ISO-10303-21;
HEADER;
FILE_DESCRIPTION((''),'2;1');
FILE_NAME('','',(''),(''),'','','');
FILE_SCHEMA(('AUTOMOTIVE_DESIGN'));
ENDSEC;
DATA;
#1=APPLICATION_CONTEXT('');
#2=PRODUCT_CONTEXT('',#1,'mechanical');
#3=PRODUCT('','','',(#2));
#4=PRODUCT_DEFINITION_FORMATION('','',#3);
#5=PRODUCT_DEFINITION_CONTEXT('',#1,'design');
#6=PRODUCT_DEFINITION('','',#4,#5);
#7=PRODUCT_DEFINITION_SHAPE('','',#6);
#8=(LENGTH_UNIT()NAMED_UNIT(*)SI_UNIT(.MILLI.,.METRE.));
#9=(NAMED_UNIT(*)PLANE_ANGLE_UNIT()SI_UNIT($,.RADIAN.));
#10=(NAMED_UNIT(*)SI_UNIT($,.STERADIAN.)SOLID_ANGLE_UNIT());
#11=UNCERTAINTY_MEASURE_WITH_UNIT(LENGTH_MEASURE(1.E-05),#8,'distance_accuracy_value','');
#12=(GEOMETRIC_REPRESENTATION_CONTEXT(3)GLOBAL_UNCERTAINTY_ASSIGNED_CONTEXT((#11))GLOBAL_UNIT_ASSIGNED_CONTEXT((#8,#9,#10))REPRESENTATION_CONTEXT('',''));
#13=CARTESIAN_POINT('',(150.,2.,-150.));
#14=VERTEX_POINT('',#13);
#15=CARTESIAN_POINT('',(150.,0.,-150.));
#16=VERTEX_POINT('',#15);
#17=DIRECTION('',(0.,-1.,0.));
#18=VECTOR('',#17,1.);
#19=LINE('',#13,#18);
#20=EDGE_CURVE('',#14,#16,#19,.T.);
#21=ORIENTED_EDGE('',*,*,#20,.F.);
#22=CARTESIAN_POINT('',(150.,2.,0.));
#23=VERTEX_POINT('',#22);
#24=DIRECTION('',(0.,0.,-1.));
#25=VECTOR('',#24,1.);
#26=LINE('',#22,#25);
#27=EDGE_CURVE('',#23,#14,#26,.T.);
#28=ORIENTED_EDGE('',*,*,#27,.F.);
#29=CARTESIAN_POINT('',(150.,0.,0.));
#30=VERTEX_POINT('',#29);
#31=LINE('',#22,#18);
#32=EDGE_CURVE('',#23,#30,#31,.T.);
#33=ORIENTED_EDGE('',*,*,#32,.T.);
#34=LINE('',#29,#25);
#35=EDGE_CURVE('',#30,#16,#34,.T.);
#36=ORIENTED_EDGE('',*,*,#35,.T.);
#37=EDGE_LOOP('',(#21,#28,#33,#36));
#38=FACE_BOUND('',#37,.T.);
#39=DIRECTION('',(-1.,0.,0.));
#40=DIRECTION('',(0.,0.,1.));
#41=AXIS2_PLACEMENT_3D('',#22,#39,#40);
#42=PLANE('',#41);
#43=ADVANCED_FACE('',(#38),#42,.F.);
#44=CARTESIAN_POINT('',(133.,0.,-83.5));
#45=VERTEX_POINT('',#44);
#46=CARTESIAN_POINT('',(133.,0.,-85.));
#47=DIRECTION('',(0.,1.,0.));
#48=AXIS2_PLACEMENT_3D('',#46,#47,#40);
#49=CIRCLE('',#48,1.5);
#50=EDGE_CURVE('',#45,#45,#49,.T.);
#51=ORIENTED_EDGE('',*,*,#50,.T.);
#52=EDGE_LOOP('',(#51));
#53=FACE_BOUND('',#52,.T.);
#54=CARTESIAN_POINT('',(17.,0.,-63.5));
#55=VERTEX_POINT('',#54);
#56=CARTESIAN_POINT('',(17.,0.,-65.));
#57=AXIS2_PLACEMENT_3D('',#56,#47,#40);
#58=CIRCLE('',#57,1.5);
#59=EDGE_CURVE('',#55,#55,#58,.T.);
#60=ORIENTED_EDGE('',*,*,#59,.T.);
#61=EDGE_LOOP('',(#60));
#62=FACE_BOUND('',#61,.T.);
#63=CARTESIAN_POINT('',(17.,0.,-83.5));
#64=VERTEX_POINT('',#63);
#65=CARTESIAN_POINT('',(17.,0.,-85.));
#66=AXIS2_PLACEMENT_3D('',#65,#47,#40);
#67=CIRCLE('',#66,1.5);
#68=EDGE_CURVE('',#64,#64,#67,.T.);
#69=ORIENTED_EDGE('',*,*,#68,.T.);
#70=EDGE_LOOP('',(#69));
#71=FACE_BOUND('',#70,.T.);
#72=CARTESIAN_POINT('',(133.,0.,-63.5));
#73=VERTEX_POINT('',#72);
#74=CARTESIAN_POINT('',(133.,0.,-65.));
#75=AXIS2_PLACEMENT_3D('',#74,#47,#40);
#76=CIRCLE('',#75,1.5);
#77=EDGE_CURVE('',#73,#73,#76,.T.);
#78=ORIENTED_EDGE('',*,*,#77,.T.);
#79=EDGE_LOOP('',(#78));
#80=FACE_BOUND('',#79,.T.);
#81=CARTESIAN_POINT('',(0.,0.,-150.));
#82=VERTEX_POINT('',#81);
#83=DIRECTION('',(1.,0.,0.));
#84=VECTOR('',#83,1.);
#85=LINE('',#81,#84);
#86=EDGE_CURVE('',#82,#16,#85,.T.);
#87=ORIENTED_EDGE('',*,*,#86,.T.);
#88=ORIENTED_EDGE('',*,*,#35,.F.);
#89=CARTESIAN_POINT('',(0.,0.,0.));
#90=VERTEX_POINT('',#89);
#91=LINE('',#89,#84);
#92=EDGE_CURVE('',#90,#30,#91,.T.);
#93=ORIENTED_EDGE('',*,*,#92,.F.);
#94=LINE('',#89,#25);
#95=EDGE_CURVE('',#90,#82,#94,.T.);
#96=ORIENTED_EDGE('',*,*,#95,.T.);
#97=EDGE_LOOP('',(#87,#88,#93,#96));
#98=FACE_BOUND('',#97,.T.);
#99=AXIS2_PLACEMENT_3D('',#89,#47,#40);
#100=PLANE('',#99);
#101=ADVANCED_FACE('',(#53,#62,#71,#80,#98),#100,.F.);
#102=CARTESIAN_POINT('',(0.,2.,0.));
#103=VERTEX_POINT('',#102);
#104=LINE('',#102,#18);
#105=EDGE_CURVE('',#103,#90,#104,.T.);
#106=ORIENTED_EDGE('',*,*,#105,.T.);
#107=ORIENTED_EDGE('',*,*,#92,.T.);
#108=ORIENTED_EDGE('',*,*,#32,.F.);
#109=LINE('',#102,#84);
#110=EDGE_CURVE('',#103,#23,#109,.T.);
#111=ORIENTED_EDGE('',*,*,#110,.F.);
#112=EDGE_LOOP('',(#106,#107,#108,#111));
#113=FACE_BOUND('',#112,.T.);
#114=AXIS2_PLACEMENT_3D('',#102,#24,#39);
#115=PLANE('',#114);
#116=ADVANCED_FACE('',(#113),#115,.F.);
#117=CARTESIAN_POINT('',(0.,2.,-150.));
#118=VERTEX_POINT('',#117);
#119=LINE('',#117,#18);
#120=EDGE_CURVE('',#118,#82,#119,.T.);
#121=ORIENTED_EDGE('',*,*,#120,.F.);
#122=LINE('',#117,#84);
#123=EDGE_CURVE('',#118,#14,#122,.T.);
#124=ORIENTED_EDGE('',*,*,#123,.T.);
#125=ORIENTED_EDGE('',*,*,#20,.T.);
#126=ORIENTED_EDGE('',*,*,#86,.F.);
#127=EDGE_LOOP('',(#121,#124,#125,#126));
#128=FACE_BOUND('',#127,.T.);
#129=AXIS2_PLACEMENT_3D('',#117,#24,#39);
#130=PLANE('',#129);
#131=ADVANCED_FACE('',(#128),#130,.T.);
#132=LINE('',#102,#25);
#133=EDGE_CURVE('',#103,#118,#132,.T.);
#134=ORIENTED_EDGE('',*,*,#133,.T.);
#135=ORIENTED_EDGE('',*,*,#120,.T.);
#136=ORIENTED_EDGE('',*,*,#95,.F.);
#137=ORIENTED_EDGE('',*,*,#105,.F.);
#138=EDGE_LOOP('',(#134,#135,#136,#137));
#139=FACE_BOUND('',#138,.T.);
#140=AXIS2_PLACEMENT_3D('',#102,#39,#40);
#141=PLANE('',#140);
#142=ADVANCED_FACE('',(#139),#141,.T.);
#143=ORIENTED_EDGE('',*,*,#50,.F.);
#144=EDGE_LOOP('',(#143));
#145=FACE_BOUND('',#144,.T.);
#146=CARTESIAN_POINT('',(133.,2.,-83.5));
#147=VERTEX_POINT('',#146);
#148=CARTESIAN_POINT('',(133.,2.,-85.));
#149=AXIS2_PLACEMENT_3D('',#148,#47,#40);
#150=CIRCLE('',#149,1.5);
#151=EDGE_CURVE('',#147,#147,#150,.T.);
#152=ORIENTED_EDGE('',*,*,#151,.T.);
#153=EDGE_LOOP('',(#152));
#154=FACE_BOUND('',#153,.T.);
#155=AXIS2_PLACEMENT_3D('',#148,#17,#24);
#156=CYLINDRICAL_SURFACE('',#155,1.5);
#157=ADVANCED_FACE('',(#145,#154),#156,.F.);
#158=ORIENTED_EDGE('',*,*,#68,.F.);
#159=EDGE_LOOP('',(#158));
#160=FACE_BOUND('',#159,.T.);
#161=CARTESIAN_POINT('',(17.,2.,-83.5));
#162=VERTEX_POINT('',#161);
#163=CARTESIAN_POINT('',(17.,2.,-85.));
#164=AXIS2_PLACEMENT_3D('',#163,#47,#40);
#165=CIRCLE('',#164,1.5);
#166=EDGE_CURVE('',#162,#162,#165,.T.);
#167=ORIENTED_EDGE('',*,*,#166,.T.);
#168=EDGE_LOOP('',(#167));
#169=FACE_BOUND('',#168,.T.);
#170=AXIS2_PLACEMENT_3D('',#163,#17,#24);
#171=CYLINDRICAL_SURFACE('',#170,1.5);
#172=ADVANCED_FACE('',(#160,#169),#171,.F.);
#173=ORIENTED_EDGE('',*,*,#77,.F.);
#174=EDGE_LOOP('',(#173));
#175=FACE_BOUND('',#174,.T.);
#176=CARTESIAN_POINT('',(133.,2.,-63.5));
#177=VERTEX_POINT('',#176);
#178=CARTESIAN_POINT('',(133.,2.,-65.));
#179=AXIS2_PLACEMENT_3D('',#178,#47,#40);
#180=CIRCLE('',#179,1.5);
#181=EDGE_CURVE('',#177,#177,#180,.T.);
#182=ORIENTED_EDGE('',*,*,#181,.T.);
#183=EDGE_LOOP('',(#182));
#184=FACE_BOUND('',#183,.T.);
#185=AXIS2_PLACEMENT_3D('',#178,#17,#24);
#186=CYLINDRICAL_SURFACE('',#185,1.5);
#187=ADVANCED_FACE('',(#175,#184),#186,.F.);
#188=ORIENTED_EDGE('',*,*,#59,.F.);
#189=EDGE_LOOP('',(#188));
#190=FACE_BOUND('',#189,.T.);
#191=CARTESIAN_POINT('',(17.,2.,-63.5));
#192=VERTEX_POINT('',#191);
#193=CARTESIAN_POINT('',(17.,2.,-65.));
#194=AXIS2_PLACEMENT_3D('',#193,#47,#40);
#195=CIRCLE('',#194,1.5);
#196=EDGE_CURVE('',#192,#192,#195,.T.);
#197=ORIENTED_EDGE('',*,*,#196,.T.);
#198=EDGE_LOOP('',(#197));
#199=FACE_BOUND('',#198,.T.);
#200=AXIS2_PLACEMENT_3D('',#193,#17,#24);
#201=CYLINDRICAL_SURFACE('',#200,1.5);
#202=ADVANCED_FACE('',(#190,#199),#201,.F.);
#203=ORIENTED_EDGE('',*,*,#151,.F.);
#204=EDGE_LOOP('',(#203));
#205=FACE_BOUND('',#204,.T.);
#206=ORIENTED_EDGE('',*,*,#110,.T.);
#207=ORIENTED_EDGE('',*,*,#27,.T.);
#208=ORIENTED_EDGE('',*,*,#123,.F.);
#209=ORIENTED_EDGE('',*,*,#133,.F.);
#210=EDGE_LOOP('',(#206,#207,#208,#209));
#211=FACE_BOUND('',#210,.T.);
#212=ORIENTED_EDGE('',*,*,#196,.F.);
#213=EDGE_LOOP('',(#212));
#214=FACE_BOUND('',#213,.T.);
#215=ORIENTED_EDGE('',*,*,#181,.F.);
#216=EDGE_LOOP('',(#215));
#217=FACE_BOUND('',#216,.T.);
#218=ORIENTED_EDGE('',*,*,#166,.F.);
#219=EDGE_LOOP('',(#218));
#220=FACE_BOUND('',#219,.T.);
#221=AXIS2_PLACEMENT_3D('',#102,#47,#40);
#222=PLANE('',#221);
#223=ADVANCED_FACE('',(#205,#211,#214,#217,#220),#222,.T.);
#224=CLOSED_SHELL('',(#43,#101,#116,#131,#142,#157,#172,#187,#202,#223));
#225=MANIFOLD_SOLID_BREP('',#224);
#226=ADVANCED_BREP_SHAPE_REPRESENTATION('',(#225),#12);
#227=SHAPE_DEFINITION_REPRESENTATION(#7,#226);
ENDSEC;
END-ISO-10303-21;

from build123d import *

# Parameters (mm, degrees)
SKETCH1_W           = 150
SKETCH1_H           = 150
SKETCH1_R           = 1.5
BOSS_EXTRUDE1_DEPTH = 2


with BuildPart() as part:
    # Sketch1 → Boss-Extrude1 (new body)
    with BuildSketch(Plane(origin=(0, 0, 0), x_dir=(1, 0, 0), z_dir=(0, 1, 0))):
        with Locations((75, 75)):
            Rectangle(SKETCH1_W, SKETCH1_H)
        with Locations(Location((17, 85, 0), (0, 0, 270))):
            Circle(SKETCH1_R, mode=Mode.SUBTRACT)
        with Locations(Location((17, 65, 0), (0, 0, 270))):
            Circle(SKETCH1_R, mode=Mode.SUBTRACT)
        with Locations(Location((133, 85, 0), (0, 0, 270))):
            Circle(SKETCH1_R, mode=Mode.SUBTRACT)
        with Locations(Location((133, 65, 0), (0, 0, 270))):
            Circle(SKETCH1_R, mode=Mode.SUBTRACT)
    extrude(amount=BOSS_EXTRUDE1_DEPTH)


solid = part.part
